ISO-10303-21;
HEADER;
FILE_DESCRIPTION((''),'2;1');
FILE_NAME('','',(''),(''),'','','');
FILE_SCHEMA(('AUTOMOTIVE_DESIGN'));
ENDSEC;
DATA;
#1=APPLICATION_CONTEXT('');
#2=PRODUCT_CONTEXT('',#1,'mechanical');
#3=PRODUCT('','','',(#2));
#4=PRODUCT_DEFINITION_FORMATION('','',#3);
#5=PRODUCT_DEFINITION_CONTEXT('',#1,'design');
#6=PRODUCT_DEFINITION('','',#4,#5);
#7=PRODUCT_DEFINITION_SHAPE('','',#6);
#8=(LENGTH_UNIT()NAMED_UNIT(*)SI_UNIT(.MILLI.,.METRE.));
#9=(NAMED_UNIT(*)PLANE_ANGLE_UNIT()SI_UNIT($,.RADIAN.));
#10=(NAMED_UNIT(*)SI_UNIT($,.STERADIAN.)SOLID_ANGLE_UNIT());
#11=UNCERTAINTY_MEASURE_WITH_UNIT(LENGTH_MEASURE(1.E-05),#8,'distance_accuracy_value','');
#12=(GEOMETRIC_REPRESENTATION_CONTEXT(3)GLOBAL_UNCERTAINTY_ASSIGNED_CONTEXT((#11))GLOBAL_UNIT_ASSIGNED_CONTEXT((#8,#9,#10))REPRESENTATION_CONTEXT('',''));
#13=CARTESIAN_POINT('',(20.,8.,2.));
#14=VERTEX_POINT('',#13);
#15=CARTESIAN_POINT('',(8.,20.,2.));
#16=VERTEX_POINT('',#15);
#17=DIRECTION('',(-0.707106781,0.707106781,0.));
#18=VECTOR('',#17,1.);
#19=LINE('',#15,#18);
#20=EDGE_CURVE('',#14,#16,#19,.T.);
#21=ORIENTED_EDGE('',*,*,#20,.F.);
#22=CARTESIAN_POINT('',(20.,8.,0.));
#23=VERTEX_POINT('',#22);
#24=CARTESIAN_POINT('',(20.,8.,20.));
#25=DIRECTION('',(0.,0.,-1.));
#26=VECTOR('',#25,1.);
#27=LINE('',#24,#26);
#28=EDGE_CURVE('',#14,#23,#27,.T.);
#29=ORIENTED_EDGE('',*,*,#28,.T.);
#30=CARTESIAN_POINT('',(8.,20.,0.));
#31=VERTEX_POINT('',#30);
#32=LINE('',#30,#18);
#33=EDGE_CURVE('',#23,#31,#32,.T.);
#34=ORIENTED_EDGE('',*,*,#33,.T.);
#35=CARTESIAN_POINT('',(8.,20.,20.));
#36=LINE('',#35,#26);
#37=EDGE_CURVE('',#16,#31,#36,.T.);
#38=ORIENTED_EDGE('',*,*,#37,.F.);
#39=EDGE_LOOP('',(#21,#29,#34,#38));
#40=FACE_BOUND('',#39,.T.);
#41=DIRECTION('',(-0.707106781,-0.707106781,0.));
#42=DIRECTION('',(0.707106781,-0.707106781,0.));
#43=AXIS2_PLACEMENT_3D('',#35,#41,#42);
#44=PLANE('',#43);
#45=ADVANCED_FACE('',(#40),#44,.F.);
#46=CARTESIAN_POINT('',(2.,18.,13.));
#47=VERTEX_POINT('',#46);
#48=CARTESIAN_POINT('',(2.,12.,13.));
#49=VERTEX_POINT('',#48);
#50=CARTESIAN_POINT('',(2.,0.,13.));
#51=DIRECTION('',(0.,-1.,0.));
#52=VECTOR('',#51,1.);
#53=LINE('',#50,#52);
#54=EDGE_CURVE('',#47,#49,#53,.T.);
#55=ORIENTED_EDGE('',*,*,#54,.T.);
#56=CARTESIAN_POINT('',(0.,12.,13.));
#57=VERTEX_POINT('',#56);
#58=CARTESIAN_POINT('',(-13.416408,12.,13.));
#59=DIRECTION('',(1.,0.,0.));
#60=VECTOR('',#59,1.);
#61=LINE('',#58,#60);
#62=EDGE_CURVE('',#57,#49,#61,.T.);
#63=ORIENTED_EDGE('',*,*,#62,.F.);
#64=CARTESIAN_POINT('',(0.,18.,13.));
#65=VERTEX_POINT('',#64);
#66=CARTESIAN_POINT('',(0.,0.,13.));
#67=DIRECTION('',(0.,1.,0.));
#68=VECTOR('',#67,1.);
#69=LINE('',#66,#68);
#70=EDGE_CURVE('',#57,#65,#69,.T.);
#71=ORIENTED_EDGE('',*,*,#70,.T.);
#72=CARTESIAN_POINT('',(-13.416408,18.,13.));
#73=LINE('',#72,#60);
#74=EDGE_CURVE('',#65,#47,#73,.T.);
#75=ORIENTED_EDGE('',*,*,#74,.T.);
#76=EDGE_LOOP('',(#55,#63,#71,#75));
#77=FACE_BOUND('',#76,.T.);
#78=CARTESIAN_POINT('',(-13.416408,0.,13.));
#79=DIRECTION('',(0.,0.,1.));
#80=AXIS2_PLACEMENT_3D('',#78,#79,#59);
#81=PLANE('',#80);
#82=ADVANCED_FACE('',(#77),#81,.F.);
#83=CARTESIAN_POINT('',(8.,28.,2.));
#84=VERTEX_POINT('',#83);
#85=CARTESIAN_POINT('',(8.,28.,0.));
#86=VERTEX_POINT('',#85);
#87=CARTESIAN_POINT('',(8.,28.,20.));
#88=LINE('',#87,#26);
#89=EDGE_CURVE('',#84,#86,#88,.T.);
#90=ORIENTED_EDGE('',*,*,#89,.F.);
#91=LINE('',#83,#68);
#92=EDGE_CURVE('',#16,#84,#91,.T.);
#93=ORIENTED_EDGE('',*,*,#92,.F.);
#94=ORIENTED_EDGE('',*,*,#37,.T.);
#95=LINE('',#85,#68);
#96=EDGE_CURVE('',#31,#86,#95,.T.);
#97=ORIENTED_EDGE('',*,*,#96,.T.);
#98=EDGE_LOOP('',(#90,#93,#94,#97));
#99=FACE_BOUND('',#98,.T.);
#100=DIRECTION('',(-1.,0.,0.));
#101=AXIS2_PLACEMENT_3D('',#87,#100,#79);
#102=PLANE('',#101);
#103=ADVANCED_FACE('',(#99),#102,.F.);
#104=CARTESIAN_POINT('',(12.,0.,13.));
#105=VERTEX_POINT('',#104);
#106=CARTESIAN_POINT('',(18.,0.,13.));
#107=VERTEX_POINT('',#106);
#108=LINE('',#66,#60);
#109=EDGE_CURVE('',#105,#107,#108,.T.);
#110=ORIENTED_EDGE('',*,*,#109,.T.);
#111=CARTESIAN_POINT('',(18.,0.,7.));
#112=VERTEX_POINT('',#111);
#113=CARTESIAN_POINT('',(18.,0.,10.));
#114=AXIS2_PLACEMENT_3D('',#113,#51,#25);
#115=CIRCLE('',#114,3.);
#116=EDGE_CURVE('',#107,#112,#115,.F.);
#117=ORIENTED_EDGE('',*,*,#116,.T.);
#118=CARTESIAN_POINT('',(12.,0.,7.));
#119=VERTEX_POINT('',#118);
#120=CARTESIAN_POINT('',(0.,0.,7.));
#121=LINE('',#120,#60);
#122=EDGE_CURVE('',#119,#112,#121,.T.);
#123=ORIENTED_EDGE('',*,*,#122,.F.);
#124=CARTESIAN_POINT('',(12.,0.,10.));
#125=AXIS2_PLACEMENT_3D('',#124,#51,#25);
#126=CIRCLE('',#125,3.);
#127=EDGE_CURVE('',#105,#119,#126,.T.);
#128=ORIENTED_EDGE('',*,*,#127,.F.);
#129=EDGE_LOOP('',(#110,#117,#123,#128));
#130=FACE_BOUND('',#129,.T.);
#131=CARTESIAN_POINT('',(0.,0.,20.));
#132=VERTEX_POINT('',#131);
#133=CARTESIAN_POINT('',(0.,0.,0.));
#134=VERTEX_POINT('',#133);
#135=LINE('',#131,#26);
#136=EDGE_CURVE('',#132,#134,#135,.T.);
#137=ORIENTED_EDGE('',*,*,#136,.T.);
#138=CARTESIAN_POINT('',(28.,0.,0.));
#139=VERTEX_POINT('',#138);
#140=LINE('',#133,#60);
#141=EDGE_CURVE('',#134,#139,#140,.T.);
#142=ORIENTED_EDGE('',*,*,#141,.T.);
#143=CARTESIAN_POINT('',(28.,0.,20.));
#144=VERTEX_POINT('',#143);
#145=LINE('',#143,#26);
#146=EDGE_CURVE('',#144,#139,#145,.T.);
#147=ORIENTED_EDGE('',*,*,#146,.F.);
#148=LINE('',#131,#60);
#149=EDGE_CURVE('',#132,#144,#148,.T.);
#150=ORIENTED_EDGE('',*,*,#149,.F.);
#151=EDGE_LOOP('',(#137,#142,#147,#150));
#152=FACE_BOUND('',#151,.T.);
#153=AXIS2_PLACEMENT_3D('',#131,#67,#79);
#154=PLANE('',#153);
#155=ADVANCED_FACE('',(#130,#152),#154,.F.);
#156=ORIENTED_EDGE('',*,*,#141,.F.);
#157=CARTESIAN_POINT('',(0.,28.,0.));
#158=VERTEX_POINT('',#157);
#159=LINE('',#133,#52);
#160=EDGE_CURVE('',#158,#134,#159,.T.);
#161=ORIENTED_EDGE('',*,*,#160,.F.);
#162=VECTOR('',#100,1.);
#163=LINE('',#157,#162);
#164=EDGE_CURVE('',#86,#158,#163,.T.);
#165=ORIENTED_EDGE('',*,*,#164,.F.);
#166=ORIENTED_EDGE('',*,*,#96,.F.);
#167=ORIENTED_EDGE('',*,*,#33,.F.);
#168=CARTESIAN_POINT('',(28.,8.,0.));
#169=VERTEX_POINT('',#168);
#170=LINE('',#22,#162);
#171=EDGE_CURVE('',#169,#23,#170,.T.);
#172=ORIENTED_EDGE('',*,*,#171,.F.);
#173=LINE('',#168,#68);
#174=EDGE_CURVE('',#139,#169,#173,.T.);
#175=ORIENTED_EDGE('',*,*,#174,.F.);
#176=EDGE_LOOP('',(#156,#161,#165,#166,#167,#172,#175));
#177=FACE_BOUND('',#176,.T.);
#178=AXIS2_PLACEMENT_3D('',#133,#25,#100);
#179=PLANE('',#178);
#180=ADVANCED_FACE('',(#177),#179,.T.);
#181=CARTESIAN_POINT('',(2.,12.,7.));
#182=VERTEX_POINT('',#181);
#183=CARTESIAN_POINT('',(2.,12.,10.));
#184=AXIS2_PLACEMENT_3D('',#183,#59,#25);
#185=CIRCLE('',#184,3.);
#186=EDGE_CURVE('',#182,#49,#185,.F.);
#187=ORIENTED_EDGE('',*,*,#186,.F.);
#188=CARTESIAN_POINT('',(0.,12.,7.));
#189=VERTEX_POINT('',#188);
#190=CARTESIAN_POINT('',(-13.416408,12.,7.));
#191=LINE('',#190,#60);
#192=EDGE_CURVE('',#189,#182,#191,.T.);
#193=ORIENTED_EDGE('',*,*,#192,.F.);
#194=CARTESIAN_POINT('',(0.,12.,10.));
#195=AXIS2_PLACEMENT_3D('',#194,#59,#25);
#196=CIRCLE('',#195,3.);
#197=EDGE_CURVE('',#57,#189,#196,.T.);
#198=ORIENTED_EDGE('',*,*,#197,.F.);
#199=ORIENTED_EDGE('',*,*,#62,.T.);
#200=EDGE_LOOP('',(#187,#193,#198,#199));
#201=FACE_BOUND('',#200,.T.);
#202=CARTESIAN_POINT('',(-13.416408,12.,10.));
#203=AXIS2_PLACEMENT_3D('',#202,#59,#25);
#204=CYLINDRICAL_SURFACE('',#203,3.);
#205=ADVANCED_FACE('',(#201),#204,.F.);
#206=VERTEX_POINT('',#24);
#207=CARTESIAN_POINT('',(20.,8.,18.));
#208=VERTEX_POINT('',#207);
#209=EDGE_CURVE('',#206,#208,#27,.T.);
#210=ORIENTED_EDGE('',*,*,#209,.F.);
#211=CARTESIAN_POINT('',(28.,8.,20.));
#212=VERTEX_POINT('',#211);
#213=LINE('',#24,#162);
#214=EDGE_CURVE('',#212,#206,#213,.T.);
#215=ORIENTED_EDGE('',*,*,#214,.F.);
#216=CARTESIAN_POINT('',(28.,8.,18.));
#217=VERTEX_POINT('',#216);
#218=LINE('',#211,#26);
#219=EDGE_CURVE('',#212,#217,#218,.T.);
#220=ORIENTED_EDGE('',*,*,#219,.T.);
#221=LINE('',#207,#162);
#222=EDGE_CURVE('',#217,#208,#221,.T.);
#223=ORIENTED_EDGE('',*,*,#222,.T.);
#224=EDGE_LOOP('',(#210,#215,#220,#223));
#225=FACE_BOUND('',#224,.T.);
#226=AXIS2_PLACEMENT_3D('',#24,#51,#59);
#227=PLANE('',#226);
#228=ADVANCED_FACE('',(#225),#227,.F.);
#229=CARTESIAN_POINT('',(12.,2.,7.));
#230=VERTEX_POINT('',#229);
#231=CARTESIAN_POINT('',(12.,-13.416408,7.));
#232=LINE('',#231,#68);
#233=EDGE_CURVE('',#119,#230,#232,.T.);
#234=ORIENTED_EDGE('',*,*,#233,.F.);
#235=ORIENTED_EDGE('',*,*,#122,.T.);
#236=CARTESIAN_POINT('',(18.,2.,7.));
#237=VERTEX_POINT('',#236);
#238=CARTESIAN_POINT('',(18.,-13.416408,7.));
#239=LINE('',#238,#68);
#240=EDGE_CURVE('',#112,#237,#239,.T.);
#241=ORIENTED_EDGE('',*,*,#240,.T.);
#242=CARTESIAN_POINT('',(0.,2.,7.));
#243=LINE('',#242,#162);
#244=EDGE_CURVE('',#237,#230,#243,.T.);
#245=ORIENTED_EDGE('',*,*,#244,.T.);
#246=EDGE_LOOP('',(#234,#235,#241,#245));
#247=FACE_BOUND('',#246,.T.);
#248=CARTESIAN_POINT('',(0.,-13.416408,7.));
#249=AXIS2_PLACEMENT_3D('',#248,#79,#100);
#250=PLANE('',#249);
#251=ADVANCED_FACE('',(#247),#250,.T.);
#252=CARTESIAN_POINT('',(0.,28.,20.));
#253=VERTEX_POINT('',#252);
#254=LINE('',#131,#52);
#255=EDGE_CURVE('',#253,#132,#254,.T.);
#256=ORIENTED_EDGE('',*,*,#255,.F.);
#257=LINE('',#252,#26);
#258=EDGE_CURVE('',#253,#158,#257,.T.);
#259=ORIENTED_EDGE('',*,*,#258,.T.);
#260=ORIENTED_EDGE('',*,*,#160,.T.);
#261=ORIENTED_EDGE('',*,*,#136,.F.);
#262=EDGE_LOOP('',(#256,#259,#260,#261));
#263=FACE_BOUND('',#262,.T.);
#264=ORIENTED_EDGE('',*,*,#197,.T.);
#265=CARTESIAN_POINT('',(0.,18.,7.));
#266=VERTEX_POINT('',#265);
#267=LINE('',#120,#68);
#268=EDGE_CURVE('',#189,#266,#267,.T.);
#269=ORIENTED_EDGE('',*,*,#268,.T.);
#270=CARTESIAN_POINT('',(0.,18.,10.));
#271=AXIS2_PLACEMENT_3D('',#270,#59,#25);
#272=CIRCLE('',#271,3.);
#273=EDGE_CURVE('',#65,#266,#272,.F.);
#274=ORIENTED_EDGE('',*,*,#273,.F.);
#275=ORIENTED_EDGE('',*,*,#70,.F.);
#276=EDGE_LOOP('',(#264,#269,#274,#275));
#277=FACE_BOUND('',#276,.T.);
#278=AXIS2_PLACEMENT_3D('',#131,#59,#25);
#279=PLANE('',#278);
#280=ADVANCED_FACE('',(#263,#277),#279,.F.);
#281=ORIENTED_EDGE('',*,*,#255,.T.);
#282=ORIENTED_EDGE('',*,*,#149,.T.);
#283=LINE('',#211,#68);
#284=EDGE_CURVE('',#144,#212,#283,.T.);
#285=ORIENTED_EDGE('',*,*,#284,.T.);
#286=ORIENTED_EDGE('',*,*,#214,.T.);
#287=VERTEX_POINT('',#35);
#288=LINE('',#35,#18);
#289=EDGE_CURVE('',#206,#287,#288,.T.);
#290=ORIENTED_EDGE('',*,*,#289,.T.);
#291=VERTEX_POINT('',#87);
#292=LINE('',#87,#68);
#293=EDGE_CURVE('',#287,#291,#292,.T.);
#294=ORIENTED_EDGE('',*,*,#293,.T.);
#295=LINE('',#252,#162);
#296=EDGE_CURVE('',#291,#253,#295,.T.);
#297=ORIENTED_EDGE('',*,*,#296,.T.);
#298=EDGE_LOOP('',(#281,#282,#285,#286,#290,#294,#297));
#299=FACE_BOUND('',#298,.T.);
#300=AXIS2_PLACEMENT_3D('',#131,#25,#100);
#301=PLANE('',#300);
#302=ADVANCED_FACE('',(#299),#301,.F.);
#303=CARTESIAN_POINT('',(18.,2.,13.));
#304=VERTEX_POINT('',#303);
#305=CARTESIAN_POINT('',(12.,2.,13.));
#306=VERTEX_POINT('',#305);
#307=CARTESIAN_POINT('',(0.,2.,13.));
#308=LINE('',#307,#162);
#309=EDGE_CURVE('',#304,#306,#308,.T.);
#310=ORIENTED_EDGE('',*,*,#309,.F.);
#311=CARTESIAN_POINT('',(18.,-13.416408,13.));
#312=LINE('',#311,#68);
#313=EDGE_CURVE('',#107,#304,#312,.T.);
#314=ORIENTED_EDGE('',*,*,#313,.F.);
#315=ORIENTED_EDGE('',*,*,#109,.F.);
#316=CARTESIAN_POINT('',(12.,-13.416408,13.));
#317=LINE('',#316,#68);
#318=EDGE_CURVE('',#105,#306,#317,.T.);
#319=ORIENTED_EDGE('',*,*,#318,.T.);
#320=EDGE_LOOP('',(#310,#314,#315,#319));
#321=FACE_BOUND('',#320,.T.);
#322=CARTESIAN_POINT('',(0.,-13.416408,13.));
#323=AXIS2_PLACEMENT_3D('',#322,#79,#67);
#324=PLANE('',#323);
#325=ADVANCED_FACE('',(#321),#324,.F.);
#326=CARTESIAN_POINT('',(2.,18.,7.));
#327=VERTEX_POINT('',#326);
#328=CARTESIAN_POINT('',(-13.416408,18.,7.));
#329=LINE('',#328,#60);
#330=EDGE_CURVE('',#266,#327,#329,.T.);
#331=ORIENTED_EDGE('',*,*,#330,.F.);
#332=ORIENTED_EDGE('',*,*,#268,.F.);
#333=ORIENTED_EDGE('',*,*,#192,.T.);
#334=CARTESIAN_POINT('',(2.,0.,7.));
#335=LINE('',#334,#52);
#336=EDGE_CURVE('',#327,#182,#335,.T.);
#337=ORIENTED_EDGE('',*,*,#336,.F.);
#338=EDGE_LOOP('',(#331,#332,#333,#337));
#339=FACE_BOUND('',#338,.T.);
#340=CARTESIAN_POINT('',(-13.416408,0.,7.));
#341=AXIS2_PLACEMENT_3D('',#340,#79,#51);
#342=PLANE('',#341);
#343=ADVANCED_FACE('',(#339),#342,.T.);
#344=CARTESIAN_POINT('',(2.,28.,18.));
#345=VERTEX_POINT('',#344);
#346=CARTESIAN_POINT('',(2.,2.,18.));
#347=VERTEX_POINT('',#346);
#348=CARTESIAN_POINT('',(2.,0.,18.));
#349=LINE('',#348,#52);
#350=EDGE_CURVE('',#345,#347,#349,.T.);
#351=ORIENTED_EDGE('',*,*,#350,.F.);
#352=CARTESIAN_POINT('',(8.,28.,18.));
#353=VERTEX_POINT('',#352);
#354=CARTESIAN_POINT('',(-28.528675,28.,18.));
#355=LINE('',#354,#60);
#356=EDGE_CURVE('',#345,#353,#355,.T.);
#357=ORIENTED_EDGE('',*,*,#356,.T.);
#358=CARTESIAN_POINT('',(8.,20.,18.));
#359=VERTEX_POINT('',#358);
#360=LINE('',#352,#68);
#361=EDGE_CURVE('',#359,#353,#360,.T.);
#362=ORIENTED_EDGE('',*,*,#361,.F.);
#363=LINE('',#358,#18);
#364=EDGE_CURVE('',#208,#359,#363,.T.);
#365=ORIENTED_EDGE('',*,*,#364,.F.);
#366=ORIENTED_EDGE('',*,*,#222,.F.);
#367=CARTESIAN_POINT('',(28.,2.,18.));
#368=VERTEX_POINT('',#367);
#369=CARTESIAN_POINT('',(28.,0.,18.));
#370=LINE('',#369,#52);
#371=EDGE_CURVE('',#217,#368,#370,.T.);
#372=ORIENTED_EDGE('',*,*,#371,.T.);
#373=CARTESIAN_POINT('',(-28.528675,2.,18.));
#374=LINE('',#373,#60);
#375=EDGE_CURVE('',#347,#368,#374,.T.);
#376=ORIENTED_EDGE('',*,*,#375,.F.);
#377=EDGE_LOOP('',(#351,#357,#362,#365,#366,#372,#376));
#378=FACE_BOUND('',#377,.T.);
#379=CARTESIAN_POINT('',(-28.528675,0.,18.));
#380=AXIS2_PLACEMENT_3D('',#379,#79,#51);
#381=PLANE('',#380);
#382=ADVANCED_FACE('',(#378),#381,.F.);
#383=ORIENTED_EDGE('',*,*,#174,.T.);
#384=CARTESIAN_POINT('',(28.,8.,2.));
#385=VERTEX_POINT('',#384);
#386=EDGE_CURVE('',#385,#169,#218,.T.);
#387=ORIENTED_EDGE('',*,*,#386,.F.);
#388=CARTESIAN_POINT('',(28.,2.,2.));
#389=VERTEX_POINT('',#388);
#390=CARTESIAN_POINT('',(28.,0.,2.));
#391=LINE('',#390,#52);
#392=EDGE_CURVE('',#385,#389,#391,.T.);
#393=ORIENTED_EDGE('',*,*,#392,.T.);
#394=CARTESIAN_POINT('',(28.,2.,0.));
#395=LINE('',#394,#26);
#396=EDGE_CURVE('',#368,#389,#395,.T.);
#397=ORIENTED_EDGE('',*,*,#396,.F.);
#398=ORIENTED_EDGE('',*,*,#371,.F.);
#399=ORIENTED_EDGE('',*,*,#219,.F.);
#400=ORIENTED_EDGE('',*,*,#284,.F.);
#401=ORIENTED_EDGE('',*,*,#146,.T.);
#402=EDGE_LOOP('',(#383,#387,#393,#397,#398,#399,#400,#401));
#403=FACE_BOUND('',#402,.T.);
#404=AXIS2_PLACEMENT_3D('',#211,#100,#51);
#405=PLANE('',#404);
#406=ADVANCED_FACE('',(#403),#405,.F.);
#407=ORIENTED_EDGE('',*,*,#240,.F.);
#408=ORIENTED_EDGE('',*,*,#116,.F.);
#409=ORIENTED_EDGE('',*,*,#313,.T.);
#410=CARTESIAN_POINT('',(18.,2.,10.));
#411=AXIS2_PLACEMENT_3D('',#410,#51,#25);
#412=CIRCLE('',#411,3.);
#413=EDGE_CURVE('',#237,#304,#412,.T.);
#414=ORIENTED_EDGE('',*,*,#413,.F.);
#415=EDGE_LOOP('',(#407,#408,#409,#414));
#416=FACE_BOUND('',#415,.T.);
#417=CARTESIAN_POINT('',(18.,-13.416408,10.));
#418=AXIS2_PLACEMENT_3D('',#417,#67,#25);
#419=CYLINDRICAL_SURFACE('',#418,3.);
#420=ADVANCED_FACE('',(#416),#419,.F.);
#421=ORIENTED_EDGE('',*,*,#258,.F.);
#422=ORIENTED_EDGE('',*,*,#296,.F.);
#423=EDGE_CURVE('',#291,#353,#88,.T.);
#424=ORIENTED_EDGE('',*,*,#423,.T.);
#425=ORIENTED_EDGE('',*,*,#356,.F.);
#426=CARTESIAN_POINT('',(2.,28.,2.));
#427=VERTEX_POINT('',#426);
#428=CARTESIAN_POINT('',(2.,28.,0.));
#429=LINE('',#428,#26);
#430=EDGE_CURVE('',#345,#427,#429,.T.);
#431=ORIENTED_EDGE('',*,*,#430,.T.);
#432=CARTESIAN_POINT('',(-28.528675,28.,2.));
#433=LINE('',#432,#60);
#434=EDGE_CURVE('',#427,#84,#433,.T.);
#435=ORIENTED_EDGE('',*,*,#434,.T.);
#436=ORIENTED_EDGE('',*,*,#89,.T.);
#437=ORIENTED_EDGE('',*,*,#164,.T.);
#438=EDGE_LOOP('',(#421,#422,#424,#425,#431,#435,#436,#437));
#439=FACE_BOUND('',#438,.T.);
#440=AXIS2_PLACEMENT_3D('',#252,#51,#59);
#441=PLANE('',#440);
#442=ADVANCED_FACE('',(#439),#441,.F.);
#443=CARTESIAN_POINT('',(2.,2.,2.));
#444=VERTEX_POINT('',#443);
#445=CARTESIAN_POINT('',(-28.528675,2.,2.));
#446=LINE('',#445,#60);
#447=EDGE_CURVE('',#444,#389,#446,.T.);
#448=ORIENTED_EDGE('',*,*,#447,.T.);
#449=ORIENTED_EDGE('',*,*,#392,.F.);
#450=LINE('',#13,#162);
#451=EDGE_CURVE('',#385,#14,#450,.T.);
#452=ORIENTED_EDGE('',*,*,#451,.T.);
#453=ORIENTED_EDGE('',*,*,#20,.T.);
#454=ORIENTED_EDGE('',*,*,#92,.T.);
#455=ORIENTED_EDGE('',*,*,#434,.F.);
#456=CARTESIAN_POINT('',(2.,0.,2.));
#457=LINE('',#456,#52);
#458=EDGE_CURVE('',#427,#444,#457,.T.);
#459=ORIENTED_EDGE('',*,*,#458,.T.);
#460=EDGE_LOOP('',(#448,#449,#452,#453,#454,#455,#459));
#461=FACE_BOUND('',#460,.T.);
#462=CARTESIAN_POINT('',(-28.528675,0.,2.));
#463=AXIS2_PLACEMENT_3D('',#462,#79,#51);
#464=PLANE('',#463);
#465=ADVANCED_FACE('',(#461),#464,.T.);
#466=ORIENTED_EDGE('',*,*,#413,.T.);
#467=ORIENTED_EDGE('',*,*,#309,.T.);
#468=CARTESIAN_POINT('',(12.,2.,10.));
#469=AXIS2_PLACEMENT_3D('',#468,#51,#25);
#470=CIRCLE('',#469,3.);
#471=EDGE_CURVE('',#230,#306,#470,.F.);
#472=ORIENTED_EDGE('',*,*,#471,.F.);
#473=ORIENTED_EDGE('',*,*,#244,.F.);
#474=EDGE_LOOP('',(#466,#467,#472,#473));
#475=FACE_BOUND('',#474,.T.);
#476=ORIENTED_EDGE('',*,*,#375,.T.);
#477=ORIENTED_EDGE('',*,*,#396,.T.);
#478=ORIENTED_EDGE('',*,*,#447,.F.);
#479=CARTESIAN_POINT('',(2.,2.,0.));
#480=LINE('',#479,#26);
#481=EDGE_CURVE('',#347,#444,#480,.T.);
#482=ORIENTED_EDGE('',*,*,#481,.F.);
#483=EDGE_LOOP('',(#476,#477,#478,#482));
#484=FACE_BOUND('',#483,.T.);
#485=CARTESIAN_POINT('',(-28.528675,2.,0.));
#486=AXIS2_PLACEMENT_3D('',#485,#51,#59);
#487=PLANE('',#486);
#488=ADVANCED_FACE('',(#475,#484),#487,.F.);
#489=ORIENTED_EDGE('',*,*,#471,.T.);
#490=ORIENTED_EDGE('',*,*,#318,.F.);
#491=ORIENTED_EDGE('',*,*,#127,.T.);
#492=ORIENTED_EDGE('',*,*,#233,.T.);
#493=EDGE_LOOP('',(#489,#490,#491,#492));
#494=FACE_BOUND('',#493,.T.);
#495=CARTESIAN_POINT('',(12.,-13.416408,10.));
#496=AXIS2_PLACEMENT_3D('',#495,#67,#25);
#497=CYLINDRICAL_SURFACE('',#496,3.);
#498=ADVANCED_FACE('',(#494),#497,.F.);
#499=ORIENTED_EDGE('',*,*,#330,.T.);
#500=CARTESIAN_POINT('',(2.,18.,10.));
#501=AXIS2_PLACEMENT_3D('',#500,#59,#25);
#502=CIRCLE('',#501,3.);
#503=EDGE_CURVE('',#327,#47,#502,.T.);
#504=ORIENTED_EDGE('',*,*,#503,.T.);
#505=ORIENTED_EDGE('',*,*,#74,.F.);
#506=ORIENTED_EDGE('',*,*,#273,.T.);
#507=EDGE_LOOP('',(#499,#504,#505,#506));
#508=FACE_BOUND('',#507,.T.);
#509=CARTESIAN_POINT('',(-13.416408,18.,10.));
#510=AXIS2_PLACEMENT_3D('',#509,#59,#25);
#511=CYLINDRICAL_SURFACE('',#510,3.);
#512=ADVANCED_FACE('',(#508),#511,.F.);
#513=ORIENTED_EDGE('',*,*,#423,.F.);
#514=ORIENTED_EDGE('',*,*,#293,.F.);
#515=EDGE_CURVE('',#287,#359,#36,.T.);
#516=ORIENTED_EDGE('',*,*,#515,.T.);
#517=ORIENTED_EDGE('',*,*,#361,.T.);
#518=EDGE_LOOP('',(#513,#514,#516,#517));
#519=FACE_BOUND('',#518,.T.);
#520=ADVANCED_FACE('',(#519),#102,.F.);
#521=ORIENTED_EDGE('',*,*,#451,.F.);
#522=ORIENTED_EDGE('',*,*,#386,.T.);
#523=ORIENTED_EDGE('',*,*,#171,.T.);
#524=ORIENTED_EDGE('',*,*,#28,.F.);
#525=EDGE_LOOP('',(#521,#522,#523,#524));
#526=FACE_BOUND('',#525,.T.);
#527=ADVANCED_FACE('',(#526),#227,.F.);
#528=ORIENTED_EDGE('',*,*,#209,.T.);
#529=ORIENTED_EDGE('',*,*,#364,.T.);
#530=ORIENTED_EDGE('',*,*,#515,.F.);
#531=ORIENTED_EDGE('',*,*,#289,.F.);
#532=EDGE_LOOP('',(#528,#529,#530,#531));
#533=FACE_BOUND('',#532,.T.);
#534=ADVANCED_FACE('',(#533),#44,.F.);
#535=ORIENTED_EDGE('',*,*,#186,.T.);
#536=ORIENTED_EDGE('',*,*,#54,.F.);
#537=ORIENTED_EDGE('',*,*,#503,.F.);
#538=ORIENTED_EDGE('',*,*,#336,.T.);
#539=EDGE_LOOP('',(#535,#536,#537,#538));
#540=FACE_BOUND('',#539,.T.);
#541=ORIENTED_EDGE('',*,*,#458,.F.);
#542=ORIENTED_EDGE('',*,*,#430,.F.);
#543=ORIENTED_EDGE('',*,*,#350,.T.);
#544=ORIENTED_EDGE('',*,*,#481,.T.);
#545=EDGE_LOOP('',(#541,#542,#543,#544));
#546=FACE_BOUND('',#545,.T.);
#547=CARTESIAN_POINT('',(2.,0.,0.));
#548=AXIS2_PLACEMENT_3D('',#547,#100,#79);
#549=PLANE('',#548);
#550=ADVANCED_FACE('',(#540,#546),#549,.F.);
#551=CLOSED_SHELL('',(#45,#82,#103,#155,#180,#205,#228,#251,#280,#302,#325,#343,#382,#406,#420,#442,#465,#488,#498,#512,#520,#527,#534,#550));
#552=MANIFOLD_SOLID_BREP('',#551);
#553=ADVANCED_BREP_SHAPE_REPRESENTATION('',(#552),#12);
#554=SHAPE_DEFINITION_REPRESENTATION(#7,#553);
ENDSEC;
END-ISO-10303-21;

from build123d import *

# Parameters (mm, degrees)
BOSS_EXTRUDE1_DEPTH = 20
CUT_EXTRUDE1_START  = -26
SKETCH2_W           = 16
SKETCH2_H           = 20
SKETCH2_H_2         = 6
CUT_EXTRUDE1_DEPTH  = 26
SKETCH3_R           = 3
CUT_EXTRUDE2_DEPTH  = 2.000000064


with BuildPart() as part:
    # Sketch1 → Boss-Extrude1 (new body)
    with BuildSketch(Plane.XY):
        Polygon((0, 0), (0, 28), (8, 28), (8, 20), (20, 8), (28, 8), (28, 0), align=None)
    extrude(amount=BOSS_EXTRUDE1_DEPTH)

    # Sketch2 → Cut-Extrude1 (cut)
    with BuildSketch(Plane(origin=(28, 0, 0), x_dir=(0, 0, -1), z_dir=(1, 0, 0)).offset(CUT_EXTRUDE1_START)):
        with Locations((-10, 18)):
            Rectangle(SKETCH2_W, SKETCH2_H)
        with Locations((-10, 5)):
            Rectangle(SKETCH2_W, SKETCH2_H_2)
    extrude(amount=CUT_EXTRUDE1_DEPTH, mode=Mode.SUBTRACT)

    # Sketch3 → Cut-Extrude2 (cut)
    with BuildSketch(Plane(origin=(2.000000064, 0, 0), x_dir=(0, 0, -1), z_dir=(1, 0, 0))):
        with Locations((-10, 18)):
            Circle(SKETCH3_R)
        with BuildLine():
            ThreePointArc((-10, 15), (-12.121320344, 15.878679656), (-13, 18))
            Line((-13, 18), (-13, 12))
            ThreePointArc((-13, 12), (-12.121320344, 14.121320344), (-10, 15))
        make_face()
        with BuildLine():
            Line((-7, 12), (-7, 18))
            ThreePointArc((-7, 18), (-7.878679656, 15.878679656), (-10, 15))
            ThreePointArc((-10, 15), (-7.878679656, 14.121320344), (-7, 12))
        make_face()
        with Locations((-10, 12)):
            Circle(SKETCH3_R)
    cut_extrude2 = extrude(amount=-CUT_EXTRUDE2_DEPTH, mode=Mode.SUBTRACT)

    # Mirror2: Cut-Extrude2 across plane
    add(cut_extrude2.mirror(Plane(origin=(0, 0, 0), x_dir=(0, 0, 1), z_dir=(0.7071067811865438, -0.7071067811865512, 0))), mode=Mode.SUBTRACT)


solid = part.part
